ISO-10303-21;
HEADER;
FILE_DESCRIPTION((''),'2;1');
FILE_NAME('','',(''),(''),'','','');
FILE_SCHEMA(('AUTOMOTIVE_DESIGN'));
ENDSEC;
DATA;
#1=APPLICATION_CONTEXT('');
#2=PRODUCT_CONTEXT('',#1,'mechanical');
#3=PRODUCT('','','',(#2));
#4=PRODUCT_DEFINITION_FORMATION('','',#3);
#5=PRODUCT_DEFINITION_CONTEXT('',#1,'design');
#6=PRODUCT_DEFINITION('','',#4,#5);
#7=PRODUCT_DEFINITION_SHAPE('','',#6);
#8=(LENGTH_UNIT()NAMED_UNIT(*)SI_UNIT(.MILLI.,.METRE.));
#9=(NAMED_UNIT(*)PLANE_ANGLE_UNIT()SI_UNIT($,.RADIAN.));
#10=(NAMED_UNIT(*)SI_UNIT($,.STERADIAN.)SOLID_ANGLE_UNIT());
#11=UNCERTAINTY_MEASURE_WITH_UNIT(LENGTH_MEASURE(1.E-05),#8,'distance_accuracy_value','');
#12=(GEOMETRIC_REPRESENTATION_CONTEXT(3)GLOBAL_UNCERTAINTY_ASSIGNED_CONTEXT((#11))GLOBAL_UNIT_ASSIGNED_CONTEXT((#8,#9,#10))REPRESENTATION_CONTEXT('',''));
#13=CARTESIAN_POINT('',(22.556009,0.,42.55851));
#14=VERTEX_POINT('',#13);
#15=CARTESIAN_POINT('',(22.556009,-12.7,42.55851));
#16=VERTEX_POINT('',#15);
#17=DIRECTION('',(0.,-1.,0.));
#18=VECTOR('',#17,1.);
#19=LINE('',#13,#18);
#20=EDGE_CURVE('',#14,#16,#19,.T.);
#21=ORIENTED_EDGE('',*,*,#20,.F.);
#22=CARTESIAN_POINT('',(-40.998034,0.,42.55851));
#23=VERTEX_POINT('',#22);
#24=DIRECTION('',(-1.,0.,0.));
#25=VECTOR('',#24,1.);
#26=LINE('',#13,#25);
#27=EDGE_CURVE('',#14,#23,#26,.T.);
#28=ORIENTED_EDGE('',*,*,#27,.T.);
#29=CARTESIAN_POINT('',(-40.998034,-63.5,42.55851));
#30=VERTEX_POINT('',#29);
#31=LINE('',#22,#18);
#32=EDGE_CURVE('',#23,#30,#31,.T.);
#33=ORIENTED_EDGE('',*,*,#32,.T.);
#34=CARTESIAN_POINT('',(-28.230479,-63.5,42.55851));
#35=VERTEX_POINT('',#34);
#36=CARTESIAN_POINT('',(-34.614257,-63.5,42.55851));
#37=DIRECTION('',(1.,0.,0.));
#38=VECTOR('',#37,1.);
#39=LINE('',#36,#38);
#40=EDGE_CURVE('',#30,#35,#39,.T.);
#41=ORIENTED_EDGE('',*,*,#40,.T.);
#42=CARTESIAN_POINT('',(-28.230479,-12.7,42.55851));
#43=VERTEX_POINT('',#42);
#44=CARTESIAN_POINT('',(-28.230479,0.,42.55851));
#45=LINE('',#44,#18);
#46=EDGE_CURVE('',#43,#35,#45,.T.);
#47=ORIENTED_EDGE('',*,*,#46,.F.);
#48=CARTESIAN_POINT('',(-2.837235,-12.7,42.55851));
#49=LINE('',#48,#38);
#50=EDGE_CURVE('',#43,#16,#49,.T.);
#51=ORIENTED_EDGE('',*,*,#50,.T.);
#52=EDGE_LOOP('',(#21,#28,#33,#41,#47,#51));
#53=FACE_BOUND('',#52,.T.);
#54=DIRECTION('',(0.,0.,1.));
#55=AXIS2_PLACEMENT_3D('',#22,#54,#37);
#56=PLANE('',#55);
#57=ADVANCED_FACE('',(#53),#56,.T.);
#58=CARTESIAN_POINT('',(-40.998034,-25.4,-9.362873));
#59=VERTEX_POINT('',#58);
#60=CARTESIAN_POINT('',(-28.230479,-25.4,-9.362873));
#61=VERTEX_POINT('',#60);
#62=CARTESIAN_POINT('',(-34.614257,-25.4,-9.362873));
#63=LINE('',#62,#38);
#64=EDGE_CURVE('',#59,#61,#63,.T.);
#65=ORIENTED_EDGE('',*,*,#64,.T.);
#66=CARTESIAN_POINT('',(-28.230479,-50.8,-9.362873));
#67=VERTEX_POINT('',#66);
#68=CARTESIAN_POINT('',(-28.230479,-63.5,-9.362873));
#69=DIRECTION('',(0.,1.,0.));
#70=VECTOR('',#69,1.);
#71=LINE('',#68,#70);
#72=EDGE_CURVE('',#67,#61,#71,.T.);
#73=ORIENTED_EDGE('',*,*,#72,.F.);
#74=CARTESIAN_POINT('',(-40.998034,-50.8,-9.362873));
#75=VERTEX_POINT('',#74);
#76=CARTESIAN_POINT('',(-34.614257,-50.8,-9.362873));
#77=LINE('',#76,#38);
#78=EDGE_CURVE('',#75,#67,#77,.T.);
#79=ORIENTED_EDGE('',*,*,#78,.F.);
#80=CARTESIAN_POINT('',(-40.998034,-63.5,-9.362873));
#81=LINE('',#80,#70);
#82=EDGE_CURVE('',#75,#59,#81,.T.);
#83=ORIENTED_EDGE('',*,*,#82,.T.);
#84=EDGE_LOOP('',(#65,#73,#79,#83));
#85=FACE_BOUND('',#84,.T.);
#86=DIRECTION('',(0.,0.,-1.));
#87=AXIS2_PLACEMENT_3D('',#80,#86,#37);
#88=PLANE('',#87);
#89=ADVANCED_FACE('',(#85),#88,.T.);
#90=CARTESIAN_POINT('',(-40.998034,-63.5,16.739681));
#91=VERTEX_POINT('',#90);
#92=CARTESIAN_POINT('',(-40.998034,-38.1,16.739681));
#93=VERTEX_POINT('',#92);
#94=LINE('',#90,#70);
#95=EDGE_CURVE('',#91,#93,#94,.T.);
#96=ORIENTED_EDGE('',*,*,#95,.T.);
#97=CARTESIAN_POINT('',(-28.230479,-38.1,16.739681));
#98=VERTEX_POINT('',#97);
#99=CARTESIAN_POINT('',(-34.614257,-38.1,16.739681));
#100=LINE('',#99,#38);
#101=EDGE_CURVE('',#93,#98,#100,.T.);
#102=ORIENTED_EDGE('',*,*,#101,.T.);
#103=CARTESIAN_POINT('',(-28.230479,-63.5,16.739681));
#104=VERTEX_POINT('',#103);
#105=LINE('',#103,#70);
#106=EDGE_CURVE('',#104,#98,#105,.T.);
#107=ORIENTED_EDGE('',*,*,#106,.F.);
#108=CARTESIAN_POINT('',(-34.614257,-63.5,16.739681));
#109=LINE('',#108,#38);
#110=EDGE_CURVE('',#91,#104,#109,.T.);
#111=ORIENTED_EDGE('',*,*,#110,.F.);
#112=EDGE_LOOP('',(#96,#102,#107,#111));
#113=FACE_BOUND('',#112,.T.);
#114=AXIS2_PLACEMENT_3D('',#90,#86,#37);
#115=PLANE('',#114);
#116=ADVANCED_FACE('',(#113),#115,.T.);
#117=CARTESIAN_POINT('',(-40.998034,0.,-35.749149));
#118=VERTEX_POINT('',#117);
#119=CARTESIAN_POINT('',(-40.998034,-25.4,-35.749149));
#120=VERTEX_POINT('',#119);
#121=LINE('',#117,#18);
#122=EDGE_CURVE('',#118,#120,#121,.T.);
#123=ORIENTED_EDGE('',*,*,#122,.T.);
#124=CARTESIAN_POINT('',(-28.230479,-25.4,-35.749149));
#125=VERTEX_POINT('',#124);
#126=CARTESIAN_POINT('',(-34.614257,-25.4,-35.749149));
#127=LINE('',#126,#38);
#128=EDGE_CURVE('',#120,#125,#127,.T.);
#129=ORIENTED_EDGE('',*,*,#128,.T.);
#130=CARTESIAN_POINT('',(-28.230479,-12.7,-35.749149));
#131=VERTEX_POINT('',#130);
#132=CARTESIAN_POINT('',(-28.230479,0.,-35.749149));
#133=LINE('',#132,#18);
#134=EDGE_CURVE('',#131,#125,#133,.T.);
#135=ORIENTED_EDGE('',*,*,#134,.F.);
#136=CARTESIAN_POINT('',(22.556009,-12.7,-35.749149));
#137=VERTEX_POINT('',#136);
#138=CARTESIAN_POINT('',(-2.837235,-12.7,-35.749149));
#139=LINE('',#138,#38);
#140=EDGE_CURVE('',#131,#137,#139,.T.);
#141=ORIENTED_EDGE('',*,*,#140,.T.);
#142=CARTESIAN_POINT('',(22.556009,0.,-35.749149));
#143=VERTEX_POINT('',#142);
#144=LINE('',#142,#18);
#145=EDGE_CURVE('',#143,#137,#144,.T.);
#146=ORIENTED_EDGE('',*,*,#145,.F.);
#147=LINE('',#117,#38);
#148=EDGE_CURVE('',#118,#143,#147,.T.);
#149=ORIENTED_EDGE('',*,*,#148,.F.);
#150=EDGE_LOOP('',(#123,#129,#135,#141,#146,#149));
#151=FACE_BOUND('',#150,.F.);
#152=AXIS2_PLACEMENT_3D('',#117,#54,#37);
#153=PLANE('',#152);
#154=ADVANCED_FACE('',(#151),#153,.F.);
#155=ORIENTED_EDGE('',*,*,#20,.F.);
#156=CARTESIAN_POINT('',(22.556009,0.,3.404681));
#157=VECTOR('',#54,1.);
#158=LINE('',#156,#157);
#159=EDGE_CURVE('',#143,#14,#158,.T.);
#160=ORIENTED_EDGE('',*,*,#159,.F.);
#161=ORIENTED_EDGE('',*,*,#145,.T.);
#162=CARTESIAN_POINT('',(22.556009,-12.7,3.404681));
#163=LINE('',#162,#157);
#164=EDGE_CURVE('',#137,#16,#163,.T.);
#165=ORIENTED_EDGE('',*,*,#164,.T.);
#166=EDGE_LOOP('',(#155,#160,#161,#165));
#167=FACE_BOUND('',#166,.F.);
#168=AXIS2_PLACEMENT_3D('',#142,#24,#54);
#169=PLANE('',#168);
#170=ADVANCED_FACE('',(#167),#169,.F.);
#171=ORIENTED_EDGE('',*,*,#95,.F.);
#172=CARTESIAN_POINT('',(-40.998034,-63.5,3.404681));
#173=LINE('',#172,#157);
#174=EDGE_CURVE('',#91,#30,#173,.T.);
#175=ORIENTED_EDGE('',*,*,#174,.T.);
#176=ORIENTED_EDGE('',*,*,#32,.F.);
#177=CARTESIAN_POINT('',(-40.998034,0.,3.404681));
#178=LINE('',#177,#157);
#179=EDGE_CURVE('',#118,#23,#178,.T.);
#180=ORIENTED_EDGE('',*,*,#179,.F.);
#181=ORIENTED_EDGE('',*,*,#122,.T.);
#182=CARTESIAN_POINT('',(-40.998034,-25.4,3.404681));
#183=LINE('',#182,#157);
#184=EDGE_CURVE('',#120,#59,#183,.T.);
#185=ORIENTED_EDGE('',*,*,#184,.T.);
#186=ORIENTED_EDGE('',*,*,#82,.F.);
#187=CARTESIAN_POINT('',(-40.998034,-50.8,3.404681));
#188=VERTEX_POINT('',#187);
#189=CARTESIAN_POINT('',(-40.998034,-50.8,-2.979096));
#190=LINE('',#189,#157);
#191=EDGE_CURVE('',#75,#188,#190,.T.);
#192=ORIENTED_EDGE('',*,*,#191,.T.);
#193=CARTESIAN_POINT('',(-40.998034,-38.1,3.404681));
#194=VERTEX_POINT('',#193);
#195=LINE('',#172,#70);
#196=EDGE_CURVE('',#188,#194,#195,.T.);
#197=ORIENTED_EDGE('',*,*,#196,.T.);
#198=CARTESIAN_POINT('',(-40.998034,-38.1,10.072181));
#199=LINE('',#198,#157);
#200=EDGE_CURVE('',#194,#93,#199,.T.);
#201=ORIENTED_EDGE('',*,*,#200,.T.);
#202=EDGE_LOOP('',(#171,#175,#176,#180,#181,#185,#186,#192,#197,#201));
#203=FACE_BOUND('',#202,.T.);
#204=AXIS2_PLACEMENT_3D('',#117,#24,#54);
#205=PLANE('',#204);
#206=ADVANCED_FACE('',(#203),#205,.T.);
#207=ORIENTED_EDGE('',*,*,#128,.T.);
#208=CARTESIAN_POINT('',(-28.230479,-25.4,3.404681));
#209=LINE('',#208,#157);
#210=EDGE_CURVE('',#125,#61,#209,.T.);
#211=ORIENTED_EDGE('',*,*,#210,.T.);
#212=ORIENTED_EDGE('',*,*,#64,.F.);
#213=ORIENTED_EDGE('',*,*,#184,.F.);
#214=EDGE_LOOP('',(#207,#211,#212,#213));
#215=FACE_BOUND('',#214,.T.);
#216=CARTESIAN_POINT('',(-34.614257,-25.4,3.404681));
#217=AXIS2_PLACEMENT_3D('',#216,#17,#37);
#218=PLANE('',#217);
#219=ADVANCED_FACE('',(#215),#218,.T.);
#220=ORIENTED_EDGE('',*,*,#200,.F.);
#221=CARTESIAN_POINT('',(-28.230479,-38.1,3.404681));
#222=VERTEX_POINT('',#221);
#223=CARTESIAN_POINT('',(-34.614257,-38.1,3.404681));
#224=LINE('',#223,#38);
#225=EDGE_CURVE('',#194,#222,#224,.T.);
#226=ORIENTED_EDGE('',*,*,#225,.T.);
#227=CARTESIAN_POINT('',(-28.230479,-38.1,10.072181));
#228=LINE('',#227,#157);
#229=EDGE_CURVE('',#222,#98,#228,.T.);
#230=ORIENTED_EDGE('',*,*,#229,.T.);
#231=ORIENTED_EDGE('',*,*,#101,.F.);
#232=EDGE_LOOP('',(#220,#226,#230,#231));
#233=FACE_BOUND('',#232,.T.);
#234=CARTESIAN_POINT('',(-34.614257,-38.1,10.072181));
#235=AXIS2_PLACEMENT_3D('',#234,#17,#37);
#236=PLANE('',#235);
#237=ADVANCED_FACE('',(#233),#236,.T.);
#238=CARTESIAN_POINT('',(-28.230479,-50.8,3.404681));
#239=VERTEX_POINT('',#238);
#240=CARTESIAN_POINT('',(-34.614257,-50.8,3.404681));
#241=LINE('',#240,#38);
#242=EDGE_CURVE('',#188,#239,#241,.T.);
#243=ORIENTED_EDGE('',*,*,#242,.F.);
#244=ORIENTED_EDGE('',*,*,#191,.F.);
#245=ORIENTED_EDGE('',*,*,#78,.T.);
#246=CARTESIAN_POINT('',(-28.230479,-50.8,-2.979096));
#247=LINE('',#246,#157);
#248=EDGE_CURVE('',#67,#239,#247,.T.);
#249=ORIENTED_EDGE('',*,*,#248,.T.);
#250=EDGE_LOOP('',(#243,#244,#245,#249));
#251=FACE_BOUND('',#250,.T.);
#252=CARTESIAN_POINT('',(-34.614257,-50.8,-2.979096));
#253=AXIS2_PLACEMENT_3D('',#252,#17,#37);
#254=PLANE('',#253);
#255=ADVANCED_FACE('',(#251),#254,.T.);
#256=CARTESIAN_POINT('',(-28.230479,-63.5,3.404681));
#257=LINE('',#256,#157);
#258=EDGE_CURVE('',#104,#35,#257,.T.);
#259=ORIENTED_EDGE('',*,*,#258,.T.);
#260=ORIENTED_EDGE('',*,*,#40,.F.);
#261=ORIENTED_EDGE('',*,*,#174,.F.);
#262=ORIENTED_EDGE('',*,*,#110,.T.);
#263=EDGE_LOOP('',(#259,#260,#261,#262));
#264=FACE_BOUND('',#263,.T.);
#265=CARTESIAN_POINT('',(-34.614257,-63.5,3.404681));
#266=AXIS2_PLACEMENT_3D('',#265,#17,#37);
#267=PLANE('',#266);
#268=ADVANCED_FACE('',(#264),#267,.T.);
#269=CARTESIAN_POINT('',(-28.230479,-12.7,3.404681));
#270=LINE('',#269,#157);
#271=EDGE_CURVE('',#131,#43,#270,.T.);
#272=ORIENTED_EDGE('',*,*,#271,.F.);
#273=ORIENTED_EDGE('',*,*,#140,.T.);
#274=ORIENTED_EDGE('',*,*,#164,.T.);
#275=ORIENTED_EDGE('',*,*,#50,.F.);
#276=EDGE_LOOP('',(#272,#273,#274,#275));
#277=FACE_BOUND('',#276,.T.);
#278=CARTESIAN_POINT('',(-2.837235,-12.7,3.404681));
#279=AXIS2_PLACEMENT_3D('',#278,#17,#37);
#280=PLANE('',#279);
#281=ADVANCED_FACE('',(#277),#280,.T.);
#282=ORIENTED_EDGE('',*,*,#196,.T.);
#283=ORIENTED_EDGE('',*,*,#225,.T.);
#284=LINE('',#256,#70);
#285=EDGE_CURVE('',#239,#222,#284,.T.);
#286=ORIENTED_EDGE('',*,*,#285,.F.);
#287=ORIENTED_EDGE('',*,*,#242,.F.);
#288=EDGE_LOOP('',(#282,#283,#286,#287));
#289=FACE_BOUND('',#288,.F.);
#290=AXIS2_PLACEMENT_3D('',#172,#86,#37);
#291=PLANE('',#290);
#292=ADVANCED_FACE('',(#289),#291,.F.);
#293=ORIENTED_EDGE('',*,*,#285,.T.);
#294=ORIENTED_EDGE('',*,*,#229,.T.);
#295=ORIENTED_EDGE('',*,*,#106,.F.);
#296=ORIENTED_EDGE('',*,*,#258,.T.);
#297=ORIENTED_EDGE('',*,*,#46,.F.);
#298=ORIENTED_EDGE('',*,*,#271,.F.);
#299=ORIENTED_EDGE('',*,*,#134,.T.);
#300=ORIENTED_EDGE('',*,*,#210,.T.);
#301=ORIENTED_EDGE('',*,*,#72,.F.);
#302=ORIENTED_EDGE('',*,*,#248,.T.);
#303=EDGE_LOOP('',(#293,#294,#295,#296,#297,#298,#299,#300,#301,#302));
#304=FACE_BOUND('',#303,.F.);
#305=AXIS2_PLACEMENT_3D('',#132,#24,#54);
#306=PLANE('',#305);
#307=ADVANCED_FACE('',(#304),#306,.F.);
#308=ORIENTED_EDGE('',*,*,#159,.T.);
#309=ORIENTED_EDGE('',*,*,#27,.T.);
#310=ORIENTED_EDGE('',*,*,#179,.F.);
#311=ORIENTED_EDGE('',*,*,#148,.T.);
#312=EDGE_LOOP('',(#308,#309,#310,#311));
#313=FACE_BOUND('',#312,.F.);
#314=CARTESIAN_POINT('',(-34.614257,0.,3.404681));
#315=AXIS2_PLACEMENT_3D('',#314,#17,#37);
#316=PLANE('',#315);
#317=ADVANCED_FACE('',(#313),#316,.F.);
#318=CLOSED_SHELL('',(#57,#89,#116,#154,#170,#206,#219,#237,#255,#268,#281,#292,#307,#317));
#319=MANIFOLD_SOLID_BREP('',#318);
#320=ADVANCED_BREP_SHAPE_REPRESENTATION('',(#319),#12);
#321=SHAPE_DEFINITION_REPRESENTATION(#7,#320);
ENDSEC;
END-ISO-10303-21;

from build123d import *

# Parameters (mm, degrees)
F0_W     = 50.7864877582
F0_H     = 78.3076584339
F1_DEPTH = 12.7
F0_W_2   = 12.7675551921
F2_DEPTH = 63.5
F3_W     = 12.7675551921
F3_H     = 13.3350007236
F4_DEPTH = 25.4
F5_W     = 12.7675551921
F5_H     = 12.7675533295
F6_DEPTH = 12.7
F7_DEPTH = 38.1


with BuildPart() as f1:
    # F0 (on Front) → F1 (new body)
    with BuildSketch(Plane.XZ):
        with Locations((-2.837235108, 3.4046806395)):
            Rectangle(F0_W, F0_H)
    extrude(amount=F1_DEPTH)

    # F0 (on Front) → F2 (join)
    with BuildSketch(Plane.XZ):
        with Locations((-34.6142565832, 3.4046806395)):
            Rectangle(F0_W_2, F0_H)
    extrude(amount=F2_DEPTH)

    # F3 (on face) → F4 (cut)
    with BuildSketch(Plane.XZ.offset(63.5)):
        with Locations((-34.6142565832, 10.0721810013)):
            Rectangle(F3_W, F3_H)
    extrude(amount=-F4_DEPTH, mode=Mode.SUBTRACT)

    # F5 (on face) → F6 (cut)
    with BuildSketch(Plane.XZ.offset(63.5)):
        with Locations((-34.6142565832, -2.9790960252)):
            Rectangle(F5_W, F5_H)
    extrude(amount=-F6_DEPTH, mode=Mode.SUBTRACT)

    # F7 (cut): a face of the model
    f7_faces = [f1.faces().sort_by_distance(p)[0] for p in [
        (-34.6142565832, -63.5, -22.5560106337),
    ]]
    extrude(f7_faces, amount=-F7_DEPTH, mode=Mode.SUBTRACT)


solid = f1.part
